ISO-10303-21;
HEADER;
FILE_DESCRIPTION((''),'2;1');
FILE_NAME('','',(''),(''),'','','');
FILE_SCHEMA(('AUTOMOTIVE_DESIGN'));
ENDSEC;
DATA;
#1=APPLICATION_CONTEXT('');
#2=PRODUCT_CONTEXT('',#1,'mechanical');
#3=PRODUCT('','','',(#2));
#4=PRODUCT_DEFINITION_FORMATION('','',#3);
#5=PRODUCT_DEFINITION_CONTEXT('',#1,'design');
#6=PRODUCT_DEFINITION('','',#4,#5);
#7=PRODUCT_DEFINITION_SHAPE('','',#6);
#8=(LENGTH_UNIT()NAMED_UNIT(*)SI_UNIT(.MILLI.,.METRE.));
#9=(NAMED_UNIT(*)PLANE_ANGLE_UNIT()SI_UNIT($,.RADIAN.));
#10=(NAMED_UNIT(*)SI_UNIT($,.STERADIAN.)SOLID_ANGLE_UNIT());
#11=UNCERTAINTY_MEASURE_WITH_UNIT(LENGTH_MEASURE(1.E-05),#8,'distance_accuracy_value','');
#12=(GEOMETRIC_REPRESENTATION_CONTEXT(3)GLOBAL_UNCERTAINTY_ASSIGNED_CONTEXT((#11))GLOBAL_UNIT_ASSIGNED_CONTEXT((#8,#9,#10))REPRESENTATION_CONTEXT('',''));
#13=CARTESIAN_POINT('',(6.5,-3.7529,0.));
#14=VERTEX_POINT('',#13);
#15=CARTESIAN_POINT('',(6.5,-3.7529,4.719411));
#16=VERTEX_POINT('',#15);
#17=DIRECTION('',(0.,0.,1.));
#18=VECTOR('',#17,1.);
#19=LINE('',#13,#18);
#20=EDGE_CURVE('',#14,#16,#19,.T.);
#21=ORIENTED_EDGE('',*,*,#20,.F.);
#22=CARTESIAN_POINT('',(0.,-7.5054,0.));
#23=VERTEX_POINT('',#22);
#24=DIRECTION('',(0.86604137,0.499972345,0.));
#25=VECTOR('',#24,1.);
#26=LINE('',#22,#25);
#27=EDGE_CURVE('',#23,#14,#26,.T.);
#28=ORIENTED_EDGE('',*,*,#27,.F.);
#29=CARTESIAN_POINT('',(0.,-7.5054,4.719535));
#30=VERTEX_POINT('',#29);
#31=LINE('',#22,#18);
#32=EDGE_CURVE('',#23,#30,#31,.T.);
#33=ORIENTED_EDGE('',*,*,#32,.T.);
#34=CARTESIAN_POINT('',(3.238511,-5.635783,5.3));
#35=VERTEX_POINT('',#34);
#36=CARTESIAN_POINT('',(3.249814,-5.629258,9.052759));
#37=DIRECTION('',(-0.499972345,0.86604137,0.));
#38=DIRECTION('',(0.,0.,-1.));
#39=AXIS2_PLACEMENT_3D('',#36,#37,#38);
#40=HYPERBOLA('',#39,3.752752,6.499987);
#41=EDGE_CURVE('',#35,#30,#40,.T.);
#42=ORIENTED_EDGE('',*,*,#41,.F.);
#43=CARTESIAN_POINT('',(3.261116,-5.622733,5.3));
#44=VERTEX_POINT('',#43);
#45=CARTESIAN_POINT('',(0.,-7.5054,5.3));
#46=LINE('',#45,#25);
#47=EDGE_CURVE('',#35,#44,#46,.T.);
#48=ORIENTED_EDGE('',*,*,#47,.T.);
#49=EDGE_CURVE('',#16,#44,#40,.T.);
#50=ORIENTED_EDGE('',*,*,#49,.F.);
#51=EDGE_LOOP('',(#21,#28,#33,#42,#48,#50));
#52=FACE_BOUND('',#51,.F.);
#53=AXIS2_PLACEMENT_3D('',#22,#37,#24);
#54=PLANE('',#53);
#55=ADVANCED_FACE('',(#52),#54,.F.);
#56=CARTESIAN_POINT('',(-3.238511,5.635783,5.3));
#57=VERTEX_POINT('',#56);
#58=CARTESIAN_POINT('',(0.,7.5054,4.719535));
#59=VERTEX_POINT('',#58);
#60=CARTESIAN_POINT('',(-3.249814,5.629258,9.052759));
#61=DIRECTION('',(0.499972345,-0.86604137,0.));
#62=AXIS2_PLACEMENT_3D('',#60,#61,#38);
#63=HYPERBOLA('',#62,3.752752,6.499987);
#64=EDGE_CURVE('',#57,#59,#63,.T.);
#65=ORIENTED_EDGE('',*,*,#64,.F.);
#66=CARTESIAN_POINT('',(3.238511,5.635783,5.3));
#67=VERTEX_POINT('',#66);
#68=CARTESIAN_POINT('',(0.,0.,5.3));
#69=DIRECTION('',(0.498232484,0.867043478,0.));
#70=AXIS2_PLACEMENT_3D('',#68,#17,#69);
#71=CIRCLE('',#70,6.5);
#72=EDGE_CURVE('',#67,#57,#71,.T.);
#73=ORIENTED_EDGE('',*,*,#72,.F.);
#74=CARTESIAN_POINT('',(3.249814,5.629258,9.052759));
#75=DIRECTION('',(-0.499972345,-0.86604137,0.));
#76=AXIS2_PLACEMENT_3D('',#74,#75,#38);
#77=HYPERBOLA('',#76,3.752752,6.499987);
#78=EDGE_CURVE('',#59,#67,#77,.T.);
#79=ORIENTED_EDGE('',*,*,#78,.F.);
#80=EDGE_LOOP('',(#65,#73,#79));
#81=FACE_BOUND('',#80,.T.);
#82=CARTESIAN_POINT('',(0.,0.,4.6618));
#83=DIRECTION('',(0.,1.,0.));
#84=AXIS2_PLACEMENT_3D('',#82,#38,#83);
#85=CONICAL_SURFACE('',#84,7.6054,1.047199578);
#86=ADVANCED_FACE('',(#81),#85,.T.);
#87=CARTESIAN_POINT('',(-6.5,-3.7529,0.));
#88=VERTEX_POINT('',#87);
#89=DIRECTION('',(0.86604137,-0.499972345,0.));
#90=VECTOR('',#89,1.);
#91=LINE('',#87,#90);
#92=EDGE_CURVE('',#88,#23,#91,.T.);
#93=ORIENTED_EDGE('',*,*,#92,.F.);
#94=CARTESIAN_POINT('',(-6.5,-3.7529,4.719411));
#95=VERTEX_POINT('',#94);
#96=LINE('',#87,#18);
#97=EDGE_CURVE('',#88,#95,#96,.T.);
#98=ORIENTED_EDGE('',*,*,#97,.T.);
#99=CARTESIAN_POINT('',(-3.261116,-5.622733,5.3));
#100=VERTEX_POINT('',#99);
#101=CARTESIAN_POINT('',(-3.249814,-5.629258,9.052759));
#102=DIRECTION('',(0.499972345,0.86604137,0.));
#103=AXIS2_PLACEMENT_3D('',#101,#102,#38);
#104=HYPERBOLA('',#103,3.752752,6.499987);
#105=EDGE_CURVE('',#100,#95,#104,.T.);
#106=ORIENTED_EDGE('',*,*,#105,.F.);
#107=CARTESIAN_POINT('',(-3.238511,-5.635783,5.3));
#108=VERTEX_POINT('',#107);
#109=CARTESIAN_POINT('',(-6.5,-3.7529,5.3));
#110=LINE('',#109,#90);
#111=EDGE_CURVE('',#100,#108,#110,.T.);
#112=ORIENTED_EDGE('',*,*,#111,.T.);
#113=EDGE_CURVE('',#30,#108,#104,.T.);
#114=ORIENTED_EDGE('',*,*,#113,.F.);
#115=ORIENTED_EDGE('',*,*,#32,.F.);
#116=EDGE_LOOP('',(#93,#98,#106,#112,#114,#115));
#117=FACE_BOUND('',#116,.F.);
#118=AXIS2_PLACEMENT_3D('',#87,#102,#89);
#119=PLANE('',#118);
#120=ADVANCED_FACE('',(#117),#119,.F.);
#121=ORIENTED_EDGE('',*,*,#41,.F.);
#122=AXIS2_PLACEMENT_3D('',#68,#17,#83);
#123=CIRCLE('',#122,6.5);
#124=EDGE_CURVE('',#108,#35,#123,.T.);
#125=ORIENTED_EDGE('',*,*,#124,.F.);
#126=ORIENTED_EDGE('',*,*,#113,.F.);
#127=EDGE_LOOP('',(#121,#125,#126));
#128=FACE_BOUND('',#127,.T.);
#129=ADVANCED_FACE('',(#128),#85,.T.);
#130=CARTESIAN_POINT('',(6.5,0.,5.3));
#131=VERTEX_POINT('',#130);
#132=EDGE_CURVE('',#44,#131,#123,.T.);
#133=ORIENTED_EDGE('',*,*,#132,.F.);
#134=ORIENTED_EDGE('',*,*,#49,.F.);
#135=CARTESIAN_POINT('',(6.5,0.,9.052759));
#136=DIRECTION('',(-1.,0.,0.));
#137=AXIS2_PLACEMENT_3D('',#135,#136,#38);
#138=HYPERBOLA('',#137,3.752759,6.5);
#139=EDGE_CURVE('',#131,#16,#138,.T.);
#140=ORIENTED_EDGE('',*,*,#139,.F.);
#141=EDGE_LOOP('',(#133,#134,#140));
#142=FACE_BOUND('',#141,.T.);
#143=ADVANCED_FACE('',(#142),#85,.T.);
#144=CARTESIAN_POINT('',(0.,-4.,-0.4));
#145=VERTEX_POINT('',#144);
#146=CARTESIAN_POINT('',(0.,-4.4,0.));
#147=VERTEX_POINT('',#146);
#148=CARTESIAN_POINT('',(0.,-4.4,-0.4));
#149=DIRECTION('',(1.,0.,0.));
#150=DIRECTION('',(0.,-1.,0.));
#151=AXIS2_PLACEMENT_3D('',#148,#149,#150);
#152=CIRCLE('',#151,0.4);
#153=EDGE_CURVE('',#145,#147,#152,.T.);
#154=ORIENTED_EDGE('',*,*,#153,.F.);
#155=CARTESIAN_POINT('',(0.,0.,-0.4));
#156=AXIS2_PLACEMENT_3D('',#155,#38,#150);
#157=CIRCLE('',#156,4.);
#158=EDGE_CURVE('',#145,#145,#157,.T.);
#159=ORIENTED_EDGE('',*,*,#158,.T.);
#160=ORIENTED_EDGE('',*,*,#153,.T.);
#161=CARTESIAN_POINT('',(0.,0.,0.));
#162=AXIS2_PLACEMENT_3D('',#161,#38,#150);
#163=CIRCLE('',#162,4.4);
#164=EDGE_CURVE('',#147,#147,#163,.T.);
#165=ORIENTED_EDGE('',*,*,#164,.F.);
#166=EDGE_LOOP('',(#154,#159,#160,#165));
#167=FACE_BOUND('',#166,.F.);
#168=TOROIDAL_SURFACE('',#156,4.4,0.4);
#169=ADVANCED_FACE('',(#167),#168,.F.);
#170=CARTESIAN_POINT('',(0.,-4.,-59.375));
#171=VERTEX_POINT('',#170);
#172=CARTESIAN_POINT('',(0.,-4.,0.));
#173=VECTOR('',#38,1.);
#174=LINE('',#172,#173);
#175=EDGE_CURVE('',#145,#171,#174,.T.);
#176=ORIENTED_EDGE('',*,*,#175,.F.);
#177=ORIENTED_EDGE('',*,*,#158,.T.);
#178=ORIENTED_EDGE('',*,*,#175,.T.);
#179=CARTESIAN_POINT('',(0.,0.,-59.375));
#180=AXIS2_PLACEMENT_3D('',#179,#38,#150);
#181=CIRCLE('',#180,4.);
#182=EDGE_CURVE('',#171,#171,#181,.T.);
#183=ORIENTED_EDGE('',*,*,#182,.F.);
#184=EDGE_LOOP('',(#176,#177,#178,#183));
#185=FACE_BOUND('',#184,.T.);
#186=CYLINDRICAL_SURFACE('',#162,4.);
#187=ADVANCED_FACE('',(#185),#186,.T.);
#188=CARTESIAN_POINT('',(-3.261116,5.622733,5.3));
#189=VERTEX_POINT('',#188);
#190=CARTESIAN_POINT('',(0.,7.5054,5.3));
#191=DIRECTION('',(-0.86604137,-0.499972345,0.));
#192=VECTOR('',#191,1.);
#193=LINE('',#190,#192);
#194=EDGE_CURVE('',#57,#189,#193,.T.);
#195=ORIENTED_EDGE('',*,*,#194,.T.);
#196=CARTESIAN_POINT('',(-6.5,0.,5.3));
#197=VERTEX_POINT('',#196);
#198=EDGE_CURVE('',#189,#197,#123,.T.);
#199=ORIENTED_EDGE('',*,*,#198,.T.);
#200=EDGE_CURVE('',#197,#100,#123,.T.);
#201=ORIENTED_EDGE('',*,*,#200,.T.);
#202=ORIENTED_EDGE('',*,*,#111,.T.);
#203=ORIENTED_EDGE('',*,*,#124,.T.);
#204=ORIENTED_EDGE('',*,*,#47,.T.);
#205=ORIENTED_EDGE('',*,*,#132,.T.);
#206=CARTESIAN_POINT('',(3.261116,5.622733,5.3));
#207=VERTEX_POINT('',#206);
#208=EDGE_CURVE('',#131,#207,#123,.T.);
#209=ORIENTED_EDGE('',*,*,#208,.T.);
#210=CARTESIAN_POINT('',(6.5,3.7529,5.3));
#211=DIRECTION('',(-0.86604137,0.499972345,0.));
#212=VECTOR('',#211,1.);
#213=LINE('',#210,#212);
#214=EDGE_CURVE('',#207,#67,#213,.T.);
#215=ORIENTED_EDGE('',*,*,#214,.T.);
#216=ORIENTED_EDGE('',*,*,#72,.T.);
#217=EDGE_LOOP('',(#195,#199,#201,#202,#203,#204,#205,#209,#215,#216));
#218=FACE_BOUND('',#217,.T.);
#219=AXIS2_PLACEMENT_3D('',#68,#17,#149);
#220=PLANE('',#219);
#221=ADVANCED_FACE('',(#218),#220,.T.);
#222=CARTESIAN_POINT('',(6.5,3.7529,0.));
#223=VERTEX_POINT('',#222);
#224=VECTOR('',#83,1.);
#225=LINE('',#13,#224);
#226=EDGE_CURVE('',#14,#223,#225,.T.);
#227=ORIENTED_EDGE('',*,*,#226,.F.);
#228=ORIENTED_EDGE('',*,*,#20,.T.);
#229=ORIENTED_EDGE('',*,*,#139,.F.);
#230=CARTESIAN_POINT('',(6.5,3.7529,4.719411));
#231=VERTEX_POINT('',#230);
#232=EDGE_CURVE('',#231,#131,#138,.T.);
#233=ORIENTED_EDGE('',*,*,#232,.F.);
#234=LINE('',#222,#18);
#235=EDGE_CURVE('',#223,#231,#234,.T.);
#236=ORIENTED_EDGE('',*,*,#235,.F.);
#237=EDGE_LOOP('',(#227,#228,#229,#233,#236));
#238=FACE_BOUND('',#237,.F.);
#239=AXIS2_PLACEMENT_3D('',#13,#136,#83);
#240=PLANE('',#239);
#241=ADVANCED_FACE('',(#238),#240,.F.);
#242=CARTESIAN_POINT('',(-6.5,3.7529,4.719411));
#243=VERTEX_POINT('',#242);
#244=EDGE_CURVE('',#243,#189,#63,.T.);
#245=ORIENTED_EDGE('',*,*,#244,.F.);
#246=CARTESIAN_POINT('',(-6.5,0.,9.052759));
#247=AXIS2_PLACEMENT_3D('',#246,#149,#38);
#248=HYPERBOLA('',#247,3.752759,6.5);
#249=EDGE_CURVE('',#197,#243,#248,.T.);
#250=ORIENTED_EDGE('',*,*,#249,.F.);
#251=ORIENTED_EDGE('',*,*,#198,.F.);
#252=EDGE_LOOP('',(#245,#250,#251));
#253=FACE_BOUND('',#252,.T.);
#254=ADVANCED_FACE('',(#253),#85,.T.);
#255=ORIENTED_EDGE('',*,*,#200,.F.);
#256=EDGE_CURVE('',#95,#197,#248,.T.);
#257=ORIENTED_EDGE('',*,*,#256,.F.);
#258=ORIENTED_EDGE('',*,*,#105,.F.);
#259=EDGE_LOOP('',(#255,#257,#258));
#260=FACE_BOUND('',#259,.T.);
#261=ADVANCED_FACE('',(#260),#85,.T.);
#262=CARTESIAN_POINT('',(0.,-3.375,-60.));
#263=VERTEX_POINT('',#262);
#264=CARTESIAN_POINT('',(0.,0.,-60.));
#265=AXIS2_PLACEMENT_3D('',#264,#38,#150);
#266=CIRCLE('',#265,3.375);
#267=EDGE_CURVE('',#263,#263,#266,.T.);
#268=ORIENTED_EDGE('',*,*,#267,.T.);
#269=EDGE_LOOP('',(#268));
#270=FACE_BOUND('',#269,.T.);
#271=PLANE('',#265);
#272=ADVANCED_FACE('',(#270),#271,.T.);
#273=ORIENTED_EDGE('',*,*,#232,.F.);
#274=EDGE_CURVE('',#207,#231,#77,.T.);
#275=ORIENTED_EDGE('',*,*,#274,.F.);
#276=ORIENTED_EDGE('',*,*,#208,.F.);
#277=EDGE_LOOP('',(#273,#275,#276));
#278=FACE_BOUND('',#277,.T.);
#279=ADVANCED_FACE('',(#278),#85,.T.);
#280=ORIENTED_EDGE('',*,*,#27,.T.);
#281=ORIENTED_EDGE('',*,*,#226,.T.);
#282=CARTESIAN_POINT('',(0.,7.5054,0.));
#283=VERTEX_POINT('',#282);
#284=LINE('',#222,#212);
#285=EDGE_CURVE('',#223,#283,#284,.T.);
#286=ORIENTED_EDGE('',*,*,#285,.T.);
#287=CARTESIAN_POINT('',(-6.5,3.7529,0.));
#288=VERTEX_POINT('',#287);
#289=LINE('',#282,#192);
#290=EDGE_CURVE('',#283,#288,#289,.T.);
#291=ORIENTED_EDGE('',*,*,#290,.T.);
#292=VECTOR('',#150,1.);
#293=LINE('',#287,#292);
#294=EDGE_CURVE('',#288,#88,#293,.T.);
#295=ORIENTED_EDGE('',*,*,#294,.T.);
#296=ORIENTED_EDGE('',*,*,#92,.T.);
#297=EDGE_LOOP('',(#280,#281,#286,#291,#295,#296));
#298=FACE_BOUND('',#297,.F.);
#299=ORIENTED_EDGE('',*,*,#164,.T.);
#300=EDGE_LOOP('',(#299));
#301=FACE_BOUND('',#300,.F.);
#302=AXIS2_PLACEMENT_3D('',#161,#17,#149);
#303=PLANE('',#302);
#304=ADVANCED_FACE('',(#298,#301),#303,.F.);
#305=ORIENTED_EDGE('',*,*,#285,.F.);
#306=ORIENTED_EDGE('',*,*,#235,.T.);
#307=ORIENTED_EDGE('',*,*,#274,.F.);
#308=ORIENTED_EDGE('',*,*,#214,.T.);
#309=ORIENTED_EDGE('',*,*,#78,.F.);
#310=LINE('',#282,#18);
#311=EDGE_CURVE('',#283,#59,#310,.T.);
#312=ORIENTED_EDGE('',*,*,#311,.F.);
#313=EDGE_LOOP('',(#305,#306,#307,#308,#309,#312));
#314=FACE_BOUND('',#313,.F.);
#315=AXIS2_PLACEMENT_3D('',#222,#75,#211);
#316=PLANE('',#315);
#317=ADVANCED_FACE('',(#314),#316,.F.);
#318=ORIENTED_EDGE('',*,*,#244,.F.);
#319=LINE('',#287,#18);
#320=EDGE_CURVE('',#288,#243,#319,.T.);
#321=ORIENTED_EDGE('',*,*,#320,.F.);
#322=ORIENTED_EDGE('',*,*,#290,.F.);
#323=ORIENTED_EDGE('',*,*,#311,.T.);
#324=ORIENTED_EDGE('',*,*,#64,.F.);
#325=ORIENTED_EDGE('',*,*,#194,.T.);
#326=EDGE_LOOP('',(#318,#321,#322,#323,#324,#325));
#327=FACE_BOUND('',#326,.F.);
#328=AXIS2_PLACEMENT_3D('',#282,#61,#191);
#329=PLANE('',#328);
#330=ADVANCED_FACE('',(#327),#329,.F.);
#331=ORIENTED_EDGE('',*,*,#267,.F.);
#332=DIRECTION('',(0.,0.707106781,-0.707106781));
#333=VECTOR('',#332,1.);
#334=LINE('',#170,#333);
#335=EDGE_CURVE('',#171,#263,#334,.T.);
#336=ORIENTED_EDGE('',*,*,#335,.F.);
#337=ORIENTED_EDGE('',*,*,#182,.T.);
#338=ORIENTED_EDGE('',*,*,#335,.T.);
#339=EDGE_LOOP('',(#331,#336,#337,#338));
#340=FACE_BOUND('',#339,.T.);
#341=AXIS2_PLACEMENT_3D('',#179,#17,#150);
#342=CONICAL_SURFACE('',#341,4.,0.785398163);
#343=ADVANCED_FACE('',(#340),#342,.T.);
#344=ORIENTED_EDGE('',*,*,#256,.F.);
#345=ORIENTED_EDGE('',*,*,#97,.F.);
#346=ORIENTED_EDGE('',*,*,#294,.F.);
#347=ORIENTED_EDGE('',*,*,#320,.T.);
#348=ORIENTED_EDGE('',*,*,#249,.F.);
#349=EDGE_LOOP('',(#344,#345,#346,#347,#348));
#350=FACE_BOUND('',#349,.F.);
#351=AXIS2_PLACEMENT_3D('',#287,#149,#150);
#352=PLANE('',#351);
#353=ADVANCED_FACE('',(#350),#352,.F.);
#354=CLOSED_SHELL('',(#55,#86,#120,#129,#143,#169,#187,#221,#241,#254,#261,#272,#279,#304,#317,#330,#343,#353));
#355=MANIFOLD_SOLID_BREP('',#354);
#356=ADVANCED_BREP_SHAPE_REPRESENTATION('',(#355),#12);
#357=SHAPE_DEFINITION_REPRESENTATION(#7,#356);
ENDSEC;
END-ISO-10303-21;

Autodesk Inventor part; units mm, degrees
ref_plane "WorkPlane1" through (0, 0, 0) normal (0, 0, 1) x (1, 0, 0)
sketch "Sketch1" plane through (0, 0, 0) normal (0, 0, 1) x (1, 0, 0)
  point P0 (0, 0)
sketch "Sketch2" plane through (0, 0, 0) normal (0, 0, 1) x (1, 0, 0)
  line L0 (-6.5, 3.7529) -> (-6.5, -3.7529)
  line L1 (0, 7.5054) -> (-6.5, 3.7529)
  line L2 (6.5, 3.7529) -> (0, 7.5054)
  line L3 (6.5, -3.7529) -> (6.5, 3.7529)
  line L4 (0, -7.5054) -> (6.5, -3.7529)
  line L5 (-6.5, -3.7529) -> (0, -7.5054)
  circle A0 centre (0, 0) radius 6.5 construction
  dimension "d1" = 13
  dimension "d29" = 0
  dimension "d30" = 0
extrude "Extrusion1" add sketch "Sketch2" along normal blind 5.3
sketch "Sketch3" plane through (0, 0, 0) normal (1, 0, 0) x (0, 1, 0)
  line L0 (6.5, 5.3) -> (7.6054, 5.3)
  line L1 (7.6054, 4.6618) -> (6.5, 5.3)
  line L2 (7.6054, 5.3) -> (7.6054, 4.6618)
  line L3 (0, -1.06) -> (0, 6.36) projected
  line L4 (7.5054, 0) -> (7.5054, 5.3) projected
  dimension "d25" = 0.1
  dimension "d26" = 0
  dimension "d27" = 60
  dimension "d28" = 6.5
revolve "Revolution1" cut sketch "Sketch3" angle 360 about axis through (0, 0, -10) along (0, 0, 1)
sketch "Sketch4" plane through (0, 0, 0) normal (1, 0, 0) x (0, 1, 0)
  line L0 (0, -60) -> (0, 0)
  line L1 (-4, -60) -> (0, -60)
  line L2 (-4, 0) -> (-4, -60)
  line L3 (0, 0) -> (-4, 0)
  line L4 (0, -60) -> (0, 0)
  line L5 (-4.8, 0) -> (0.8, 0) projected
  line L6 (0, -72) -> (0, 12) projected
  dimension "d18" = 4
  dimension "d20" = 60
  dimension "d33" = 0
  dimension "d34" = 0
revolve "Revolution2" add sketch "Sketch4" angle 360 about axis through (0, 0, -60) along (0, 0, -1)
chamfer "Chamfer1" distance 0.625 angle 45 1 edges at (0, 4, -60)
fillet "Fillet1" radius 0.4 1 edges at (0, 4, 0)
thread "Thread1" size "M8x1.25" class "6g" standard "ISO Metric profile" length 57.5
ref_plane "MSC_PF1" through (0, 0, 0) normal (1, 0, 0) x (0, 1, 0)
ref_plane "MSC_PT1" through (0, 0, 0) normal (0, 0, -1) x (-1, 0, 0)
equation "\"d22\" = 0.5 * PTC"
equation "\"d23\" = 0.5 * PTC"
equation "\"d24\" = r"
equation "\"d1\" = ParS"
equation "\"d6\" = ParK"
equation "\"b\" = NLG - 2 * PTC"
equation "\"d28\" = 0.5 * ParS"
equation "\"d18\" = 0.5 * NND"
equation "\"d20\" = NLG"
equation "\"NND\" = 8"
equation "\"NLG\" = 60"
equation "\"PTC\" = 1.25"
equation "\"ParK\" = 5.3"
equation "\"ParS\" = 13"
equation "\"msp_es\" = 0.577367 * ParS"
equation "\"r\" = 0.4"
equation "\"THREADDIA\" = NND"
equation "\"K1\" = 3.45"
properties part number "DIN EN ISO 4018 - M8x60" material "Stainless Steel"
